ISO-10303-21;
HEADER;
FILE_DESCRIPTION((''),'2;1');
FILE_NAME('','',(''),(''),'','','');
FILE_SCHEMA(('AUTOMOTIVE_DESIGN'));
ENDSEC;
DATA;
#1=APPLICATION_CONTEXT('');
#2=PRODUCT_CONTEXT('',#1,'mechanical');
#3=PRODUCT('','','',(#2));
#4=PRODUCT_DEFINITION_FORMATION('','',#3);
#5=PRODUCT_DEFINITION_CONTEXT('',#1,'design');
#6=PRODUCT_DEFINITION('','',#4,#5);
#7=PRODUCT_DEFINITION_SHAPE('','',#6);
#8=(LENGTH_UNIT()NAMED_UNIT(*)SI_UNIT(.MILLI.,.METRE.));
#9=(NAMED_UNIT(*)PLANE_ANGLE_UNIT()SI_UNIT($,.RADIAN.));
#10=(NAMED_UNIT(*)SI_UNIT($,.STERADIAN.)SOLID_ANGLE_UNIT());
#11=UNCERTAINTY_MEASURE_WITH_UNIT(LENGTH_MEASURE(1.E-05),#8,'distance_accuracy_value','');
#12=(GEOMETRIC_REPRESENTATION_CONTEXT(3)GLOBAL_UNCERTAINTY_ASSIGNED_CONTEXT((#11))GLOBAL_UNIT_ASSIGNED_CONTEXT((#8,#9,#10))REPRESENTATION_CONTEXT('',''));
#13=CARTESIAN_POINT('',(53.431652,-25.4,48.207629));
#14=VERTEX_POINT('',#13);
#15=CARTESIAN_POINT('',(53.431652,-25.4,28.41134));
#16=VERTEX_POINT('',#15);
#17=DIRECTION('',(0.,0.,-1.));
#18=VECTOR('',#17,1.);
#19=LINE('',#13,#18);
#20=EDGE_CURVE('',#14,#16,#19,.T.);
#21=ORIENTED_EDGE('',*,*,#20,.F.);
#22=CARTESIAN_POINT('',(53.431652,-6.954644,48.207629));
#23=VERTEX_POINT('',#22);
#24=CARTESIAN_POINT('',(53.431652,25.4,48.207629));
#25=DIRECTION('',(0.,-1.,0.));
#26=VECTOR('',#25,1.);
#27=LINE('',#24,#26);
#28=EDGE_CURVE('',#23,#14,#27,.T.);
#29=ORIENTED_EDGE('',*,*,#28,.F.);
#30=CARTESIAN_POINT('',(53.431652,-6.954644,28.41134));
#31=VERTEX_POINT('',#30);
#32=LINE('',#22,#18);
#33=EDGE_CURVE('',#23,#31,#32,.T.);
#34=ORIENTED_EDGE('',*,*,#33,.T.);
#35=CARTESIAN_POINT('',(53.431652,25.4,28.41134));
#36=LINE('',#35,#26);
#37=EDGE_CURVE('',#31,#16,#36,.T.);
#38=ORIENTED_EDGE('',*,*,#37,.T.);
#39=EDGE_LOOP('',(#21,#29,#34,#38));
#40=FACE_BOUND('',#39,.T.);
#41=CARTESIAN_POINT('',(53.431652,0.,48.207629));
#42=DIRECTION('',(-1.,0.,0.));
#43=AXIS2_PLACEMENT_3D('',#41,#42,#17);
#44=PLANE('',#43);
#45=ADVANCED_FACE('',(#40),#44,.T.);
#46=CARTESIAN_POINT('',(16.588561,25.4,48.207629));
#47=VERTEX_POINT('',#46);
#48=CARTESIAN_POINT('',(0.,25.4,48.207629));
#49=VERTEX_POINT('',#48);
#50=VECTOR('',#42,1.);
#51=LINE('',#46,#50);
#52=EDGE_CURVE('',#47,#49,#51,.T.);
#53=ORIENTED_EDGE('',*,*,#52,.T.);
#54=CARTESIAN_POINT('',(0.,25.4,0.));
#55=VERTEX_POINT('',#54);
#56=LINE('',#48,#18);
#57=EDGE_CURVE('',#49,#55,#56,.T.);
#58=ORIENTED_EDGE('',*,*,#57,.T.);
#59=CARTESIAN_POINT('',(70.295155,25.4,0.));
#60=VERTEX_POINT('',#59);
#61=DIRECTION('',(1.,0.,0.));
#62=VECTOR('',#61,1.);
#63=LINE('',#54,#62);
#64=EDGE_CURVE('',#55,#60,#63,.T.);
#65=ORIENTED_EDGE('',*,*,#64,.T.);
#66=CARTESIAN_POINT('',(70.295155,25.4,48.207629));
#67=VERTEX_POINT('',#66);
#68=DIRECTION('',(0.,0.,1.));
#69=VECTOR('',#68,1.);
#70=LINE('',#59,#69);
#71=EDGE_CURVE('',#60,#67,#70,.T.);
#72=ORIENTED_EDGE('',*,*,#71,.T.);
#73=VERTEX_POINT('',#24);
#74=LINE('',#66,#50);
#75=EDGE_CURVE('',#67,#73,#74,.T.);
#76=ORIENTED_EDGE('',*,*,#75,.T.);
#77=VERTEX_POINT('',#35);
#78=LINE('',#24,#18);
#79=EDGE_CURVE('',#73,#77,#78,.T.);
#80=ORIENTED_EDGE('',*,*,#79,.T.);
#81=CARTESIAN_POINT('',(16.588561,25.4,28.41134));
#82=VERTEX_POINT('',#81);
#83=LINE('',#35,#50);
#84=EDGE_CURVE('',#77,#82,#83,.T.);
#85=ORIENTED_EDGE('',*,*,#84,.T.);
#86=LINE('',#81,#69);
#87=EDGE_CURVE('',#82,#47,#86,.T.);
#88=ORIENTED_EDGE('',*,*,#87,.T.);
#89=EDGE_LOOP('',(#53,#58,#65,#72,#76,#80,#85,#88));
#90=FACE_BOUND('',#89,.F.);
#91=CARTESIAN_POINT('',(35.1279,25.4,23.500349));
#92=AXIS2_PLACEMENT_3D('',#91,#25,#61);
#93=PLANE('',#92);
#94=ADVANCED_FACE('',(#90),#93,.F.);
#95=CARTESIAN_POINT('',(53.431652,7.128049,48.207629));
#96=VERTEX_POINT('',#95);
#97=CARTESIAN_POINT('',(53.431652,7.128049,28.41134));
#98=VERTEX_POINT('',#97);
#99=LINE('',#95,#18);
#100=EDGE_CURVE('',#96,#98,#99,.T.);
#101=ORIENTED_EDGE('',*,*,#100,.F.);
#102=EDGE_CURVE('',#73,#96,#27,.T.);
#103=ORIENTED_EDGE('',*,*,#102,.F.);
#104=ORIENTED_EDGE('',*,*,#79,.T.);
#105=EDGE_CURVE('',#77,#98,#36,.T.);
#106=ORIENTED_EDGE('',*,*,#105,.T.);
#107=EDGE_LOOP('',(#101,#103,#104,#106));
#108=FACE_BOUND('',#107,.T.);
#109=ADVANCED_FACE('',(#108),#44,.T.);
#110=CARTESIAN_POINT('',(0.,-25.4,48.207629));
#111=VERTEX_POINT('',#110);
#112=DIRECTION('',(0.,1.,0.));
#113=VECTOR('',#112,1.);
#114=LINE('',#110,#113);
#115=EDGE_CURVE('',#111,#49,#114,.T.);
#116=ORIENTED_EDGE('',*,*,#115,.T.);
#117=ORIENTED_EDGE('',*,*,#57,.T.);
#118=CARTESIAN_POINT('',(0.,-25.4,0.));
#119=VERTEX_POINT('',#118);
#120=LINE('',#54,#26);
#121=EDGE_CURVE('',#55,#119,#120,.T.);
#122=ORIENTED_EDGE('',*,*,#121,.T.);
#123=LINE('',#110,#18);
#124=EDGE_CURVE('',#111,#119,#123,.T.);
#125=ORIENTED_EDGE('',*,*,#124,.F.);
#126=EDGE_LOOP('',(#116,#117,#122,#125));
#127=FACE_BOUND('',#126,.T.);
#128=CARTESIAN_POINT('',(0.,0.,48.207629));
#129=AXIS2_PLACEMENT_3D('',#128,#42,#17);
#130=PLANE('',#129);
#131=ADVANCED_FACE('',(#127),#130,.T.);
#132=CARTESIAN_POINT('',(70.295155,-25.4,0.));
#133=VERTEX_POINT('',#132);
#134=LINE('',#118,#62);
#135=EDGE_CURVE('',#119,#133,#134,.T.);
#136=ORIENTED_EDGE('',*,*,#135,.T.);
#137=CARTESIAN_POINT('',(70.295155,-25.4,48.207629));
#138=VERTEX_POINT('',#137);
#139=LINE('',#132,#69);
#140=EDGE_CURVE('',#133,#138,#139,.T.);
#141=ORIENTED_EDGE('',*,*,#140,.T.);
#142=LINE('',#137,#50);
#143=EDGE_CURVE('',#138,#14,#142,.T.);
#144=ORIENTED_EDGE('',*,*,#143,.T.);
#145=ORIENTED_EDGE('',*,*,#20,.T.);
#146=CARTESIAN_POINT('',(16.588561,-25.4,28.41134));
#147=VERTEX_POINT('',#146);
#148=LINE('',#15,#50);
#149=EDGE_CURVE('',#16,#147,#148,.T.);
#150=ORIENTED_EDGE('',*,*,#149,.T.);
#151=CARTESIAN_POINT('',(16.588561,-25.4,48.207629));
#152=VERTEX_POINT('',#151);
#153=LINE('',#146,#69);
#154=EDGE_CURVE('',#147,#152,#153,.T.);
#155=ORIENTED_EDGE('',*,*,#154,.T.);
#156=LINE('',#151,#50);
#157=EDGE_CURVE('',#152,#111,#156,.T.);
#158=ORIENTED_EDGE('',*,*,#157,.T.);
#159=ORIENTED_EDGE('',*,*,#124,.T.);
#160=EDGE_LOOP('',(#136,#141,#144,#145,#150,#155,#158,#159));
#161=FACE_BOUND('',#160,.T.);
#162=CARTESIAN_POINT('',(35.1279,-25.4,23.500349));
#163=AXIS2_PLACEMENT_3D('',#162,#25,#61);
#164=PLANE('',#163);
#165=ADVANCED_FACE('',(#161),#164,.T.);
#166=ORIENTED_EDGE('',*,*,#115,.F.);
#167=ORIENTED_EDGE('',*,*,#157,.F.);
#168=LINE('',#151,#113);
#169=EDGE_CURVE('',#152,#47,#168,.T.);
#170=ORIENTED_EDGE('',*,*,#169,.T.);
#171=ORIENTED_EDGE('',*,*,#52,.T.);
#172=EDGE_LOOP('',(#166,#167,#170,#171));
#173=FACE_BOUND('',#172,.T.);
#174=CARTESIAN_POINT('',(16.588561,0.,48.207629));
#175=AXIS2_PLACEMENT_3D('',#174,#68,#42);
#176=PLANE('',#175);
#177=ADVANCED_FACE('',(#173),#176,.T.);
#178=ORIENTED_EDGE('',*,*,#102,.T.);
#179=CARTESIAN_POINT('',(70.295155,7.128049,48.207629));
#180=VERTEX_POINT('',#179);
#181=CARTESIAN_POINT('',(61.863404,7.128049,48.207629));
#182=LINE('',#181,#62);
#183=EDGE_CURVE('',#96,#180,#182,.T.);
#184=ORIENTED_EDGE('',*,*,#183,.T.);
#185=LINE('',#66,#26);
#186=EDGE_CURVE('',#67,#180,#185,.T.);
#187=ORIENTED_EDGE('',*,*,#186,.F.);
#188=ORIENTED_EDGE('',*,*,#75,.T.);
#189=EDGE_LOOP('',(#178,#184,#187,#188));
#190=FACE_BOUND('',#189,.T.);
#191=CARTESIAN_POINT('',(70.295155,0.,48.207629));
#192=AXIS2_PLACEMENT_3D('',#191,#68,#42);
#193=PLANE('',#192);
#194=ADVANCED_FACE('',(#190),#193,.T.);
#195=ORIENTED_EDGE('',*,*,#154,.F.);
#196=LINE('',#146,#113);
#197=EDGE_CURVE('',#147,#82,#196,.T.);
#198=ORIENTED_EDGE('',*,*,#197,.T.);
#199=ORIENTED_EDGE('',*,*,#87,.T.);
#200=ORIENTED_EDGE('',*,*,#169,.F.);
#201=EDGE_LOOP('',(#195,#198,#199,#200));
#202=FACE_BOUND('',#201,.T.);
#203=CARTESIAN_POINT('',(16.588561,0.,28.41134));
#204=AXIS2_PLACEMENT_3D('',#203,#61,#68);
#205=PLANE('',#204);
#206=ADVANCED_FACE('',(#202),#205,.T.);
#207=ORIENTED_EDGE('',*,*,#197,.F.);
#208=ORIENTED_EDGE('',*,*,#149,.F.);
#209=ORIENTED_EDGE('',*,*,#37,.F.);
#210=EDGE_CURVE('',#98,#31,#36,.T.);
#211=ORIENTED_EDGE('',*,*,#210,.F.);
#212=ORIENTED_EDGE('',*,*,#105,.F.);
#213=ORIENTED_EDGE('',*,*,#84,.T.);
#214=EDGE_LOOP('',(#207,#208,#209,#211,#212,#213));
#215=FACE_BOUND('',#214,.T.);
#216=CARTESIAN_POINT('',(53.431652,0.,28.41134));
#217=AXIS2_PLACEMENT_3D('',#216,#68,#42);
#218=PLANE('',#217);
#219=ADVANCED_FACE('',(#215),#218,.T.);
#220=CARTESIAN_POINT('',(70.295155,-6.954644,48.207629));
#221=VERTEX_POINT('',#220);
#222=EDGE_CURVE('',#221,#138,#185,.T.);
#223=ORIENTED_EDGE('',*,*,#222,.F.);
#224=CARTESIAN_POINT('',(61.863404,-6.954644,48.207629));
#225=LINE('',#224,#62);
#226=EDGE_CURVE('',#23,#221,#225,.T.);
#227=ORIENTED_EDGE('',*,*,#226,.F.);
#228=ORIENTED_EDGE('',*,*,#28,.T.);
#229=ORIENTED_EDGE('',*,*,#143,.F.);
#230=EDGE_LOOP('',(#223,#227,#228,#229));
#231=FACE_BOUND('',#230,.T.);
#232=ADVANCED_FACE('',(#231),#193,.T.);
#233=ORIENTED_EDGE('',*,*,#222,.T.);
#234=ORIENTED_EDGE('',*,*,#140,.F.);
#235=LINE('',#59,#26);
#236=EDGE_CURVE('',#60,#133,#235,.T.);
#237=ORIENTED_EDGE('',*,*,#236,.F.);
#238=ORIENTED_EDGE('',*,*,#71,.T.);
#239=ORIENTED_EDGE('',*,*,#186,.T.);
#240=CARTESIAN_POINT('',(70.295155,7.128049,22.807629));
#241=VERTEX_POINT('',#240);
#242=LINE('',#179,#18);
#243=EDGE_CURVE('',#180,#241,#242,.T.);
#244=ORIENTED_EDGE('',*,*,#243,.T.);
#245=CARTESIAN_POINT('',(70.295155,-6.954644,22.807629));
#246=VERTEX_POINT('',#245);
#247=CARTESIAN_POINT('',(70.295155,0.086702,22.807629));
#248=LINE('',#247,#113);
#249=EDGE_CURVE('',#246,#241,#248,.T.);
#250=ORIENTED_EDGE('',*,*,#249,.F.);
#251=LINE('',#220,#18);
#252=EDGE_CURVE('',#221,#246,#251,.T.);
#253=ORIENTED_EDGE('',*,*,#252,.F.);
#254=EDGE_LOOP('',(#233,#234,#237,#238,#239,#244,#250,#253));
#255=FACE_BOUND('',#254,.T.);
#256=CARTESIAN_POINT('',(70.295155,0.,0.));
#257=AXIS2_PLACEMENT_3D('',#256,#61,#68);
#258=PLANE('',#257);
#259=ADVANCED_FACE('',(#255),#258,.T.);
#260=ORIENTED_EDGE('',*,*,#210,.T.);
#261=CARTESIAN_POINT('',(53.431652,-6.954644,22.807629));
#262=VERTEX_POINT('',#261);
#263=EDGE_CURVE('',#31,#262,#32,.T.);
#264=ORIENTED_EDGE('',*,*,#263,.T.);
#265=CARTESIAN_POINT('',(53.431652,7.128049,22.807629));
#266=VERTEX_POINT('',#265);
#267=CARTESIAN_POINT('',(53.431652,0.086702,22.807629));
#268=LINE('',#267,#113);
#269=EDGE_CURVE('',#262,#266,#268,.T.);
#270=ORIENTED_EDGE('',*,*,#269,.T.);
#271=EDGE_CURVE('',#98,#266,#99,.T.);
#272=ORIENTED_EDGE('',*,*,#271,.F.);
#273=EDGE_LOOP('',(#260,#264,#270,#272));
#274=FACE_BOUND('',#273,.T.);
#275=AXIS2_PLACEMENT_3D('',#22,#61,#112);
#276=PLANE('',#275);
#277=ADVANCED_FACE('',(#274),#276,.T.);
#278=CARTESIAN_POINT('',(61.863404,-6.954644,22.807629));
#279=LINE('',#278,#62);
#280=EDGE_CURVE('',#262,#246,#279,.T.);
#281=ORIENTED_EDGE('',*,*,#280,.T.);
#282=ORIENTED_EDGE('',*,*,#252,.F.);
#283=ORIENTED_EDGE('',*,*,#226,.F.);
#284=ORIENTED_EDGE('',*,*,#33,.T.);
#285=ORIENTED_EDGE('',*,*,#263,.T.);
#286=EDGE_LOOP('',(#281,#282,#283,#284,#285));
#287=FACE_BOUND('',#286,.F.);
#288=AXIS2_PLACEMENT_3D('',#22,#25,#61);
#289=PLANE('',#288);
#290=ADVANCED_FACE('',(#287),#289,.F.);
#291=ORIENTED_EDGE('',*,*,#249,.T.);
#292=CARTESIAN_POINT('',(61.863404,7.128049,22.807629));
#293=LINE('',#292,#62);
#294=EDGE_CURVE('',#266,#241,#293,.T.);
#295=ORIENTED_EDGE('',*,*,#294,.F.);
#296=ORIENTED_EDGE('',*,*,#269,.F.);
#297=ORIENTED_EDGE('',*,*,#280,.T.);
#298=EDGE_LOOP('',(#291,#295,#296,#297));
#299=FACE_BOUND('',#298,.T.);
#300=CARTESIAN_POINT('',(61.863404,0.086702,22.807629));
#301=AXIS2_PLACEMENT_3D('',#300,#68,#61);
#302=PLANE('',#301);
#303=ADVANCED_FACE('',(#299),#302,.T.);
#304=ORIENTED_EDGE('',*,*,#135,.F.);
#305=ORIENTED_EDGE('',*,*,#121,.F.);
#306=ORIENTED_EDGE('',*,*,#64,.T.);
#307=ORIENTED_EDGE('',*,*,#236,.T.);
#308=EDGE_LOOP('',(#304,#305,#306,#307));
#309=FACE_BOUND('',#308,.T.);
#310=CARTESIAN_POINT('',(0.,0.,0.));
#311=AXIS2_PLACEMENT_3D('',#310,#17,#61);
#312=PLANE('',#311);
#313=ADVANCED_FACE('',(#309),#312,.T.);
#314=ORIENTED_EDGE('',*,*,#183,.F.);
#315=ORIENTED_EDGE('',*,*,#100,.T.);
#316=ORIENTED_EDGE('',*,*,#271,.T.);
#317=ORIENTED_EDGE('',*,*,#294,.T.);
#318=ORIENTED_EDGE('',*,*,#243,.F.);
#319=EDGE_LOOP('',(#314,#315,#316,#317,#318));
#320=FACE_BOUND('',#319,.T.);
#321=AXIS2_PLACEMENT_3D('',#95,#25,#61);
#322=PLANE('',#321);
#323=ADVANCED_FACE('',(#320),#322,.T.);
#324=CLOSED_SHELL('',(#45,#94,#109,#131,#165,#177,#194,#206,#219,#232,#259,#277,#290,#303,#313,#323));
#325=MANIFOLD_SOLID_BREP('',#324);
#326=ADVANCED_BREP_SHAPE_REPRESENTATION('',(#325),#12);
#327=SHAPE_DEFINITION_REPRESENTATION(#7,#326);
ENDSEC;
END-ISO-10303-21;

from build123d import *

# Parameters (mm, degrees)
F1_DEPTH = 25.4
F2_W     = 16.863502562
F2_H     = 14.0826925635
F3_DEPTH = 25.4


with BuildPart() as f1:
    # F0 (on Front) → F1 (new body, symmetric)
    with BuildSketch(Plane.XZ):
        Polygon((0, 48.207629472), (0, 0), (70.2951550484, 0), (70.2951550484, 48.207629472), (53.4316524863, 48.207629472), (53.4316524863, 28.4113399684), (16.5885612369, 28.4113399684), (16.5885612369, 48.207629472), align=None)
    extrude(amount=F1_DEPTH, both=True)

    # F2 (on face) → F3 (cut)
    with BuildSketch(Plane.XY.offset(48.207629472)):
        with Locations((61.8634037673, 0.0867024064)):
            Rectangle(F2_W, F2_H)
    extrude(amount=-F3_DEPTH, mode=Mode.SUBTRACT)


solid = f1.part
